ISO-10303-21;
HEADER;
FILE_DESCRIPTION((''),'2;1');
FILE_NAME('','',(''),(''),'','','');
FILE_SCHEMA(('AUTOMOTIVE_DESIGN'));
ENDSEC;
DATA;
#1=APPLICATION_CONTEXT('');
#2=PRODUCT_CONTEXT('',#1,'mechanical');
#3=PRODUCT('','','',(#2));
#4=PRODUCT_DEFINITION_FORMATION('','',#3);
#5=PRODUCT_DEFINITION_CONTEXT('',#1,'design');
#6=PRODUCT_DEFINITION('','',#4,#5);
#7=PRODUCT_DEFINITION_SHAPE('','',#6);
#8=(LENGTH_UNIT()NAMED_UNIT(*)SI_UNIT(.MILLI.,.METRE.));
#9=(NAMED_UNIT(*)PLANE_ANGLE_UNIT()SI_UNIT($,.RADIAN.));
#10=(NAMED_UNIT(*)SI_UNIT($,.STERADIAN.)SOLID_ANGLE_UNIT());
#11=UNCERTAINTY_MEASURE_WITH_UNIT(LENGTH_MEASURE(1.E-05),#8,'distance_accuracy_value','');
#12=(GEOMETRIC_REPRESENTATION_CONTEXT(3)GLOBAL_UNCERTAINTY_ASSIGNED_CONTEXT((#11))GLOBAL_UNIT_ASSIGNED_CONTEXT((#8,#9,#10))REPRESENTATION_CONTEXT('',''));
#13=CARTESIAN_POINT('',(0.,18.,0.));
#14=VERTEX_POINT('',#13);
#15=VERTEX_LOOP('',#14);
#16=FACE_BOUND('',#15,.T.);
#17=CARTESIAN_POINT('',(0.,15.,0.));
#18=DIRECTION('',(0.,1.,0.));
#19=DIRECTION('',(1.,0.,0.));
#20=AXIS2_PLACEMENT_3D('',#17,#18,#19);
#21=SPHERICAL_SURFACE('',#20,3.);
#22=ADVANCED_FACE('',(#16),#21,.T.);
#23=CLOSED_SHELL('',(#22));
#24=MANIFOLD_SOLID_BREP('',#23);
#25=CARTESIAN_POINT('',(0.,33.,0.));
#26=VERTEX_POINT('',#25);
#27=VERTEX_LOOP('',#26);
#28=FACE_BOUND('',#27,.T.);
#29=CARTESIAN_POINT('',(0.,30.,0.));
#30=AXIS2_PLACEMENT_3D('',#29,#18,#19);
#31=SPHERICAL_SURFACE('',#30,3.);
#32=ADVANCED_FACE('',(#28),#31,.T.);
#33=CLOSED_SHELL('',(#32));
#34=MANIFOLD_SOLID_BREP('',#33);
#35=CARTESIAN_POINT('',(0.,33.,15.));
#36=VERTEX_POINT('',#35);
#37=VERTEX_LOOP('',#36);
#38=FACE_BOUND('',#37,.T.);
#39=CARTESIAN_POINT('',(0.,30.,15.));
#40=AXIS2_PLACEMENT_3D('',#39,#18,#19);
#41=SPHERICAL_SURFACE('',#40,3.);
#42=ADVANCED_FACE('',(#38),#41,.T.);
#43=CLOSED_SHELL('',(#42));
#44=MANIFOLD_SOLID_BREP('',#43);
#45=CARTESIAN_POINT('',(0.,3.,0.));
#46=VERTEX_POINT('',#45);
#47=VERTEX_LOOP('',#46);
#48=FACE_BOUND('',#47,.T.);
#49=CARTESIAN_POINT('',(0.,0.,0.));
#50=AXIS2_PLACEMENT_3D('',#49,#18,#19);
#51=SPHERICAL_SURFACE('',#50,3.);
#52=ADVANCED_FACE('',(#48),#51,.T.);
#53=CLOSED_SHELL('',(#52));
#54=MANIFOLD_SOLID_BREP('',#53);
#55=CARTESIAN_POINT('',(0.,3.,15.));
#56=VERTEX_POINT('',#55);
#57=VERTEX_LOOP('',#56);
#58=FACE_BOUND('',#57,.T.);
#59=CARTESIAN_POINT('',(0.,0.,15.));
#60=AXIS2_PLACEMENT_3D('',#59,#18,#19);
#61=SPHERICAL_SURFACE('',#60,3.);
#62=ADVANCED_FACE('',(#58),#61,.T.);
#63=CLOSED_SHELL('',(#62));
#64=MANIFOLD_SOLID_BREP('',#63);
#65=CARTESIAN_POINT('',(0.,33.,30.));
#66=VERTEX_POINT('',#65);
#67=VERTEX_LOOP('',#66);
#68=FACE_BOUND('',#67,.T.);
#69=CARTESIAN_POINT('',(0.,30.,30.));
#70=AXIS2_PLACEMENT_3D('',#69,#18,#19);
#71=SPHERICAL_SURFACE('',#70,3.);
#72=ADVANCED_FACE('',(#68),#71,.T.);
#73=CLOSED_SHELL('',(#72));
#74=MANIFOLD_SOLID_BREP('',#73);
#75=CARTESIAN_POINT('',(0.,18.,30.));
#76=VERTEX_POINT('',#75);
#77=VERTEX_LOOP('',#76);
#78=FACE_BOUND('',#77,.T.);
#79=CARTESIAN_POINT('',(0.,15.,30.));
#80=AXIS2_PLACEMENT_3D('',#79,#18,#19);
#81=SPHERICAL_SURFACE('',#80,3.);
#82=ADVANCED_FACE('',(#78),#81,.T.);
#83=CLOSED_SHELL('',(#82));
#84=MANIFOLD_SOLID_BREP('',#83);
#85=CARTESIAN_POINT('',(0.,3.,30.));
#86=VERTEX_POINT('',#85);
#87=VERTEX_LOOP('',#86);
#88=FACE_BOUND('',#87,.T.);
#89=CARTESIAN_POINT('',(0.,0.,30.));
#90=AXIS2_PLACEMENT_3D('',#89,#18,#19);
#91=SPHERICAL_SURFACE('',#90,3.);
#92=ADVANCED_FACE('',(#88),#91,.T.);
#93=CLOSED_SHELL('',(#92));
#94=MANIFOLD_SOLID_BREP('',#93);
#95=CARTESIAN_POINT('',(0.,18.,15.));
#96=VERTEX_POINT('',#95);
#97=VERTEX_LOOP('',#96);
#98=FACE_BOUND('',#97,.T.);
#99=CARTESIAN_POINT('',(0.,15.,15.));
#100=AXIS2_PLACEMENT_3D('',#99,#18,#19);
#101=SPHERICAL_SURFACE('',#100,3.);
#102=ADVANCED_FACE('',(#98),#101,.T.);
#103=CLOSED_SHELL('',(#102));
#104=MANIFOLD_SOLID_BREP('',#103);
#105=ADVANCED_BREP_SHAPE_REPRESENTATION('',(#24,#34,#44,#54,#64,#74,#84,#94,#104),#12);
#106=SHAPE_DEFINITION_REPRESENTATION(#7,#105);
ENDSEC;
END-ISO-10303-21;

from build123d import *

# Parameters (mm, degrees)
PATTERN_LINEAR_3_COUNT   = 3
PATTERN_LINEAR_3_PITCH   = 15
PATTERN_LINEAR_3_2_COUNT = 3
PATTERN_LINEAR_3_2_PITCH = 15


with BuildPart() as part:
    # 草图2 → 旋转5 (revolve)
    with BuildSketch(Plane.XY):
        with BuildLine():
            Line((0, 3), (0, -3))
            ThreePointArc((0, -3), (-3, 0), (0, 3))
        make_face()
    revolve(axis=Axis((0, 3, 0), (0, -1, 0)))


with BuildPart() as pattern_linear_3_1:
    # 阵列(线性)3: pattern copy
    add(part.part.moved(Location(Vector(0, 0, 1) * (1 * PATTERN_LINEAR_3_PITCH))))


with BuildPart() as pattern_linear_3_2:
    # 阵列(线性)3: pattern copy
    add(part.part.moved(Location(Vector(0, 0, 1) * (2 * PATTERN_LINEAR_3_PITCH))))


with BuildPart() as pattern_linear_3_2_1:
    # Pattern Linear 3 2: pattern copy
    add(part.part.moved(Location(Vector(0, 1, 0) * (1 * PATTERN_LINEAR_3_2_PITCH))))


with BuildPart() as pattern_linear_3_2_2:
    # Pattern Linear 3 2: pattern copy
    add(part.part.moved(Location(Vector(0, 1, 0) * (2 * PATTERN_LINEAR_3_2_PITCH))))


with BuildPart() as pattern_linear_3_2_3:
    # Pattern Linear 3 2: pattern copy
    add(pattern_linear_3_1.part.moved(Location(Vector(0, 1, 0) * (1 * PATTERN_LINEAR_3_2_PITCH))))


with BuildPart() as pattern_linear_3_2_4:
    # Pattern Linear 3 2: pattern copy
    add(pattern_linear_3_1.part.moved(Location(Vector(0, 1, 0) * (2 * PATTERN_LINEAR_3_2_PITCH))))


with BuildPart() as pattern_linear_3_2_5:
    # Pattern Linear 3 2: pattern copy
    add(pattern_linear_3_2.part.moved(Location(Vector(0, 1, 0) * (1 * PATTERN_LINEAR_3_2_PITCH))))


with BuildPart() as pattern_linear_3_2_6:
    # Pattern Linear 3 2: pattern copy
    add(pattern_linear_3_2.part.moved(Location(Vector(0, 1, 0) * (2 * PATTERN_LINEAR_3_2_PITCH))))


solid = Compound([part.part, pattern_linear_3_1.part, pattern_linear_3_2.part, pattern_linear_3_2_1.part, pattern_linear_3_2_2.part, pattern_linear_3_2_3.part, pattern_linear_3_2_4.part, pattern_linear_3_2_5.part, pattern_linear_3_2_6.part])
